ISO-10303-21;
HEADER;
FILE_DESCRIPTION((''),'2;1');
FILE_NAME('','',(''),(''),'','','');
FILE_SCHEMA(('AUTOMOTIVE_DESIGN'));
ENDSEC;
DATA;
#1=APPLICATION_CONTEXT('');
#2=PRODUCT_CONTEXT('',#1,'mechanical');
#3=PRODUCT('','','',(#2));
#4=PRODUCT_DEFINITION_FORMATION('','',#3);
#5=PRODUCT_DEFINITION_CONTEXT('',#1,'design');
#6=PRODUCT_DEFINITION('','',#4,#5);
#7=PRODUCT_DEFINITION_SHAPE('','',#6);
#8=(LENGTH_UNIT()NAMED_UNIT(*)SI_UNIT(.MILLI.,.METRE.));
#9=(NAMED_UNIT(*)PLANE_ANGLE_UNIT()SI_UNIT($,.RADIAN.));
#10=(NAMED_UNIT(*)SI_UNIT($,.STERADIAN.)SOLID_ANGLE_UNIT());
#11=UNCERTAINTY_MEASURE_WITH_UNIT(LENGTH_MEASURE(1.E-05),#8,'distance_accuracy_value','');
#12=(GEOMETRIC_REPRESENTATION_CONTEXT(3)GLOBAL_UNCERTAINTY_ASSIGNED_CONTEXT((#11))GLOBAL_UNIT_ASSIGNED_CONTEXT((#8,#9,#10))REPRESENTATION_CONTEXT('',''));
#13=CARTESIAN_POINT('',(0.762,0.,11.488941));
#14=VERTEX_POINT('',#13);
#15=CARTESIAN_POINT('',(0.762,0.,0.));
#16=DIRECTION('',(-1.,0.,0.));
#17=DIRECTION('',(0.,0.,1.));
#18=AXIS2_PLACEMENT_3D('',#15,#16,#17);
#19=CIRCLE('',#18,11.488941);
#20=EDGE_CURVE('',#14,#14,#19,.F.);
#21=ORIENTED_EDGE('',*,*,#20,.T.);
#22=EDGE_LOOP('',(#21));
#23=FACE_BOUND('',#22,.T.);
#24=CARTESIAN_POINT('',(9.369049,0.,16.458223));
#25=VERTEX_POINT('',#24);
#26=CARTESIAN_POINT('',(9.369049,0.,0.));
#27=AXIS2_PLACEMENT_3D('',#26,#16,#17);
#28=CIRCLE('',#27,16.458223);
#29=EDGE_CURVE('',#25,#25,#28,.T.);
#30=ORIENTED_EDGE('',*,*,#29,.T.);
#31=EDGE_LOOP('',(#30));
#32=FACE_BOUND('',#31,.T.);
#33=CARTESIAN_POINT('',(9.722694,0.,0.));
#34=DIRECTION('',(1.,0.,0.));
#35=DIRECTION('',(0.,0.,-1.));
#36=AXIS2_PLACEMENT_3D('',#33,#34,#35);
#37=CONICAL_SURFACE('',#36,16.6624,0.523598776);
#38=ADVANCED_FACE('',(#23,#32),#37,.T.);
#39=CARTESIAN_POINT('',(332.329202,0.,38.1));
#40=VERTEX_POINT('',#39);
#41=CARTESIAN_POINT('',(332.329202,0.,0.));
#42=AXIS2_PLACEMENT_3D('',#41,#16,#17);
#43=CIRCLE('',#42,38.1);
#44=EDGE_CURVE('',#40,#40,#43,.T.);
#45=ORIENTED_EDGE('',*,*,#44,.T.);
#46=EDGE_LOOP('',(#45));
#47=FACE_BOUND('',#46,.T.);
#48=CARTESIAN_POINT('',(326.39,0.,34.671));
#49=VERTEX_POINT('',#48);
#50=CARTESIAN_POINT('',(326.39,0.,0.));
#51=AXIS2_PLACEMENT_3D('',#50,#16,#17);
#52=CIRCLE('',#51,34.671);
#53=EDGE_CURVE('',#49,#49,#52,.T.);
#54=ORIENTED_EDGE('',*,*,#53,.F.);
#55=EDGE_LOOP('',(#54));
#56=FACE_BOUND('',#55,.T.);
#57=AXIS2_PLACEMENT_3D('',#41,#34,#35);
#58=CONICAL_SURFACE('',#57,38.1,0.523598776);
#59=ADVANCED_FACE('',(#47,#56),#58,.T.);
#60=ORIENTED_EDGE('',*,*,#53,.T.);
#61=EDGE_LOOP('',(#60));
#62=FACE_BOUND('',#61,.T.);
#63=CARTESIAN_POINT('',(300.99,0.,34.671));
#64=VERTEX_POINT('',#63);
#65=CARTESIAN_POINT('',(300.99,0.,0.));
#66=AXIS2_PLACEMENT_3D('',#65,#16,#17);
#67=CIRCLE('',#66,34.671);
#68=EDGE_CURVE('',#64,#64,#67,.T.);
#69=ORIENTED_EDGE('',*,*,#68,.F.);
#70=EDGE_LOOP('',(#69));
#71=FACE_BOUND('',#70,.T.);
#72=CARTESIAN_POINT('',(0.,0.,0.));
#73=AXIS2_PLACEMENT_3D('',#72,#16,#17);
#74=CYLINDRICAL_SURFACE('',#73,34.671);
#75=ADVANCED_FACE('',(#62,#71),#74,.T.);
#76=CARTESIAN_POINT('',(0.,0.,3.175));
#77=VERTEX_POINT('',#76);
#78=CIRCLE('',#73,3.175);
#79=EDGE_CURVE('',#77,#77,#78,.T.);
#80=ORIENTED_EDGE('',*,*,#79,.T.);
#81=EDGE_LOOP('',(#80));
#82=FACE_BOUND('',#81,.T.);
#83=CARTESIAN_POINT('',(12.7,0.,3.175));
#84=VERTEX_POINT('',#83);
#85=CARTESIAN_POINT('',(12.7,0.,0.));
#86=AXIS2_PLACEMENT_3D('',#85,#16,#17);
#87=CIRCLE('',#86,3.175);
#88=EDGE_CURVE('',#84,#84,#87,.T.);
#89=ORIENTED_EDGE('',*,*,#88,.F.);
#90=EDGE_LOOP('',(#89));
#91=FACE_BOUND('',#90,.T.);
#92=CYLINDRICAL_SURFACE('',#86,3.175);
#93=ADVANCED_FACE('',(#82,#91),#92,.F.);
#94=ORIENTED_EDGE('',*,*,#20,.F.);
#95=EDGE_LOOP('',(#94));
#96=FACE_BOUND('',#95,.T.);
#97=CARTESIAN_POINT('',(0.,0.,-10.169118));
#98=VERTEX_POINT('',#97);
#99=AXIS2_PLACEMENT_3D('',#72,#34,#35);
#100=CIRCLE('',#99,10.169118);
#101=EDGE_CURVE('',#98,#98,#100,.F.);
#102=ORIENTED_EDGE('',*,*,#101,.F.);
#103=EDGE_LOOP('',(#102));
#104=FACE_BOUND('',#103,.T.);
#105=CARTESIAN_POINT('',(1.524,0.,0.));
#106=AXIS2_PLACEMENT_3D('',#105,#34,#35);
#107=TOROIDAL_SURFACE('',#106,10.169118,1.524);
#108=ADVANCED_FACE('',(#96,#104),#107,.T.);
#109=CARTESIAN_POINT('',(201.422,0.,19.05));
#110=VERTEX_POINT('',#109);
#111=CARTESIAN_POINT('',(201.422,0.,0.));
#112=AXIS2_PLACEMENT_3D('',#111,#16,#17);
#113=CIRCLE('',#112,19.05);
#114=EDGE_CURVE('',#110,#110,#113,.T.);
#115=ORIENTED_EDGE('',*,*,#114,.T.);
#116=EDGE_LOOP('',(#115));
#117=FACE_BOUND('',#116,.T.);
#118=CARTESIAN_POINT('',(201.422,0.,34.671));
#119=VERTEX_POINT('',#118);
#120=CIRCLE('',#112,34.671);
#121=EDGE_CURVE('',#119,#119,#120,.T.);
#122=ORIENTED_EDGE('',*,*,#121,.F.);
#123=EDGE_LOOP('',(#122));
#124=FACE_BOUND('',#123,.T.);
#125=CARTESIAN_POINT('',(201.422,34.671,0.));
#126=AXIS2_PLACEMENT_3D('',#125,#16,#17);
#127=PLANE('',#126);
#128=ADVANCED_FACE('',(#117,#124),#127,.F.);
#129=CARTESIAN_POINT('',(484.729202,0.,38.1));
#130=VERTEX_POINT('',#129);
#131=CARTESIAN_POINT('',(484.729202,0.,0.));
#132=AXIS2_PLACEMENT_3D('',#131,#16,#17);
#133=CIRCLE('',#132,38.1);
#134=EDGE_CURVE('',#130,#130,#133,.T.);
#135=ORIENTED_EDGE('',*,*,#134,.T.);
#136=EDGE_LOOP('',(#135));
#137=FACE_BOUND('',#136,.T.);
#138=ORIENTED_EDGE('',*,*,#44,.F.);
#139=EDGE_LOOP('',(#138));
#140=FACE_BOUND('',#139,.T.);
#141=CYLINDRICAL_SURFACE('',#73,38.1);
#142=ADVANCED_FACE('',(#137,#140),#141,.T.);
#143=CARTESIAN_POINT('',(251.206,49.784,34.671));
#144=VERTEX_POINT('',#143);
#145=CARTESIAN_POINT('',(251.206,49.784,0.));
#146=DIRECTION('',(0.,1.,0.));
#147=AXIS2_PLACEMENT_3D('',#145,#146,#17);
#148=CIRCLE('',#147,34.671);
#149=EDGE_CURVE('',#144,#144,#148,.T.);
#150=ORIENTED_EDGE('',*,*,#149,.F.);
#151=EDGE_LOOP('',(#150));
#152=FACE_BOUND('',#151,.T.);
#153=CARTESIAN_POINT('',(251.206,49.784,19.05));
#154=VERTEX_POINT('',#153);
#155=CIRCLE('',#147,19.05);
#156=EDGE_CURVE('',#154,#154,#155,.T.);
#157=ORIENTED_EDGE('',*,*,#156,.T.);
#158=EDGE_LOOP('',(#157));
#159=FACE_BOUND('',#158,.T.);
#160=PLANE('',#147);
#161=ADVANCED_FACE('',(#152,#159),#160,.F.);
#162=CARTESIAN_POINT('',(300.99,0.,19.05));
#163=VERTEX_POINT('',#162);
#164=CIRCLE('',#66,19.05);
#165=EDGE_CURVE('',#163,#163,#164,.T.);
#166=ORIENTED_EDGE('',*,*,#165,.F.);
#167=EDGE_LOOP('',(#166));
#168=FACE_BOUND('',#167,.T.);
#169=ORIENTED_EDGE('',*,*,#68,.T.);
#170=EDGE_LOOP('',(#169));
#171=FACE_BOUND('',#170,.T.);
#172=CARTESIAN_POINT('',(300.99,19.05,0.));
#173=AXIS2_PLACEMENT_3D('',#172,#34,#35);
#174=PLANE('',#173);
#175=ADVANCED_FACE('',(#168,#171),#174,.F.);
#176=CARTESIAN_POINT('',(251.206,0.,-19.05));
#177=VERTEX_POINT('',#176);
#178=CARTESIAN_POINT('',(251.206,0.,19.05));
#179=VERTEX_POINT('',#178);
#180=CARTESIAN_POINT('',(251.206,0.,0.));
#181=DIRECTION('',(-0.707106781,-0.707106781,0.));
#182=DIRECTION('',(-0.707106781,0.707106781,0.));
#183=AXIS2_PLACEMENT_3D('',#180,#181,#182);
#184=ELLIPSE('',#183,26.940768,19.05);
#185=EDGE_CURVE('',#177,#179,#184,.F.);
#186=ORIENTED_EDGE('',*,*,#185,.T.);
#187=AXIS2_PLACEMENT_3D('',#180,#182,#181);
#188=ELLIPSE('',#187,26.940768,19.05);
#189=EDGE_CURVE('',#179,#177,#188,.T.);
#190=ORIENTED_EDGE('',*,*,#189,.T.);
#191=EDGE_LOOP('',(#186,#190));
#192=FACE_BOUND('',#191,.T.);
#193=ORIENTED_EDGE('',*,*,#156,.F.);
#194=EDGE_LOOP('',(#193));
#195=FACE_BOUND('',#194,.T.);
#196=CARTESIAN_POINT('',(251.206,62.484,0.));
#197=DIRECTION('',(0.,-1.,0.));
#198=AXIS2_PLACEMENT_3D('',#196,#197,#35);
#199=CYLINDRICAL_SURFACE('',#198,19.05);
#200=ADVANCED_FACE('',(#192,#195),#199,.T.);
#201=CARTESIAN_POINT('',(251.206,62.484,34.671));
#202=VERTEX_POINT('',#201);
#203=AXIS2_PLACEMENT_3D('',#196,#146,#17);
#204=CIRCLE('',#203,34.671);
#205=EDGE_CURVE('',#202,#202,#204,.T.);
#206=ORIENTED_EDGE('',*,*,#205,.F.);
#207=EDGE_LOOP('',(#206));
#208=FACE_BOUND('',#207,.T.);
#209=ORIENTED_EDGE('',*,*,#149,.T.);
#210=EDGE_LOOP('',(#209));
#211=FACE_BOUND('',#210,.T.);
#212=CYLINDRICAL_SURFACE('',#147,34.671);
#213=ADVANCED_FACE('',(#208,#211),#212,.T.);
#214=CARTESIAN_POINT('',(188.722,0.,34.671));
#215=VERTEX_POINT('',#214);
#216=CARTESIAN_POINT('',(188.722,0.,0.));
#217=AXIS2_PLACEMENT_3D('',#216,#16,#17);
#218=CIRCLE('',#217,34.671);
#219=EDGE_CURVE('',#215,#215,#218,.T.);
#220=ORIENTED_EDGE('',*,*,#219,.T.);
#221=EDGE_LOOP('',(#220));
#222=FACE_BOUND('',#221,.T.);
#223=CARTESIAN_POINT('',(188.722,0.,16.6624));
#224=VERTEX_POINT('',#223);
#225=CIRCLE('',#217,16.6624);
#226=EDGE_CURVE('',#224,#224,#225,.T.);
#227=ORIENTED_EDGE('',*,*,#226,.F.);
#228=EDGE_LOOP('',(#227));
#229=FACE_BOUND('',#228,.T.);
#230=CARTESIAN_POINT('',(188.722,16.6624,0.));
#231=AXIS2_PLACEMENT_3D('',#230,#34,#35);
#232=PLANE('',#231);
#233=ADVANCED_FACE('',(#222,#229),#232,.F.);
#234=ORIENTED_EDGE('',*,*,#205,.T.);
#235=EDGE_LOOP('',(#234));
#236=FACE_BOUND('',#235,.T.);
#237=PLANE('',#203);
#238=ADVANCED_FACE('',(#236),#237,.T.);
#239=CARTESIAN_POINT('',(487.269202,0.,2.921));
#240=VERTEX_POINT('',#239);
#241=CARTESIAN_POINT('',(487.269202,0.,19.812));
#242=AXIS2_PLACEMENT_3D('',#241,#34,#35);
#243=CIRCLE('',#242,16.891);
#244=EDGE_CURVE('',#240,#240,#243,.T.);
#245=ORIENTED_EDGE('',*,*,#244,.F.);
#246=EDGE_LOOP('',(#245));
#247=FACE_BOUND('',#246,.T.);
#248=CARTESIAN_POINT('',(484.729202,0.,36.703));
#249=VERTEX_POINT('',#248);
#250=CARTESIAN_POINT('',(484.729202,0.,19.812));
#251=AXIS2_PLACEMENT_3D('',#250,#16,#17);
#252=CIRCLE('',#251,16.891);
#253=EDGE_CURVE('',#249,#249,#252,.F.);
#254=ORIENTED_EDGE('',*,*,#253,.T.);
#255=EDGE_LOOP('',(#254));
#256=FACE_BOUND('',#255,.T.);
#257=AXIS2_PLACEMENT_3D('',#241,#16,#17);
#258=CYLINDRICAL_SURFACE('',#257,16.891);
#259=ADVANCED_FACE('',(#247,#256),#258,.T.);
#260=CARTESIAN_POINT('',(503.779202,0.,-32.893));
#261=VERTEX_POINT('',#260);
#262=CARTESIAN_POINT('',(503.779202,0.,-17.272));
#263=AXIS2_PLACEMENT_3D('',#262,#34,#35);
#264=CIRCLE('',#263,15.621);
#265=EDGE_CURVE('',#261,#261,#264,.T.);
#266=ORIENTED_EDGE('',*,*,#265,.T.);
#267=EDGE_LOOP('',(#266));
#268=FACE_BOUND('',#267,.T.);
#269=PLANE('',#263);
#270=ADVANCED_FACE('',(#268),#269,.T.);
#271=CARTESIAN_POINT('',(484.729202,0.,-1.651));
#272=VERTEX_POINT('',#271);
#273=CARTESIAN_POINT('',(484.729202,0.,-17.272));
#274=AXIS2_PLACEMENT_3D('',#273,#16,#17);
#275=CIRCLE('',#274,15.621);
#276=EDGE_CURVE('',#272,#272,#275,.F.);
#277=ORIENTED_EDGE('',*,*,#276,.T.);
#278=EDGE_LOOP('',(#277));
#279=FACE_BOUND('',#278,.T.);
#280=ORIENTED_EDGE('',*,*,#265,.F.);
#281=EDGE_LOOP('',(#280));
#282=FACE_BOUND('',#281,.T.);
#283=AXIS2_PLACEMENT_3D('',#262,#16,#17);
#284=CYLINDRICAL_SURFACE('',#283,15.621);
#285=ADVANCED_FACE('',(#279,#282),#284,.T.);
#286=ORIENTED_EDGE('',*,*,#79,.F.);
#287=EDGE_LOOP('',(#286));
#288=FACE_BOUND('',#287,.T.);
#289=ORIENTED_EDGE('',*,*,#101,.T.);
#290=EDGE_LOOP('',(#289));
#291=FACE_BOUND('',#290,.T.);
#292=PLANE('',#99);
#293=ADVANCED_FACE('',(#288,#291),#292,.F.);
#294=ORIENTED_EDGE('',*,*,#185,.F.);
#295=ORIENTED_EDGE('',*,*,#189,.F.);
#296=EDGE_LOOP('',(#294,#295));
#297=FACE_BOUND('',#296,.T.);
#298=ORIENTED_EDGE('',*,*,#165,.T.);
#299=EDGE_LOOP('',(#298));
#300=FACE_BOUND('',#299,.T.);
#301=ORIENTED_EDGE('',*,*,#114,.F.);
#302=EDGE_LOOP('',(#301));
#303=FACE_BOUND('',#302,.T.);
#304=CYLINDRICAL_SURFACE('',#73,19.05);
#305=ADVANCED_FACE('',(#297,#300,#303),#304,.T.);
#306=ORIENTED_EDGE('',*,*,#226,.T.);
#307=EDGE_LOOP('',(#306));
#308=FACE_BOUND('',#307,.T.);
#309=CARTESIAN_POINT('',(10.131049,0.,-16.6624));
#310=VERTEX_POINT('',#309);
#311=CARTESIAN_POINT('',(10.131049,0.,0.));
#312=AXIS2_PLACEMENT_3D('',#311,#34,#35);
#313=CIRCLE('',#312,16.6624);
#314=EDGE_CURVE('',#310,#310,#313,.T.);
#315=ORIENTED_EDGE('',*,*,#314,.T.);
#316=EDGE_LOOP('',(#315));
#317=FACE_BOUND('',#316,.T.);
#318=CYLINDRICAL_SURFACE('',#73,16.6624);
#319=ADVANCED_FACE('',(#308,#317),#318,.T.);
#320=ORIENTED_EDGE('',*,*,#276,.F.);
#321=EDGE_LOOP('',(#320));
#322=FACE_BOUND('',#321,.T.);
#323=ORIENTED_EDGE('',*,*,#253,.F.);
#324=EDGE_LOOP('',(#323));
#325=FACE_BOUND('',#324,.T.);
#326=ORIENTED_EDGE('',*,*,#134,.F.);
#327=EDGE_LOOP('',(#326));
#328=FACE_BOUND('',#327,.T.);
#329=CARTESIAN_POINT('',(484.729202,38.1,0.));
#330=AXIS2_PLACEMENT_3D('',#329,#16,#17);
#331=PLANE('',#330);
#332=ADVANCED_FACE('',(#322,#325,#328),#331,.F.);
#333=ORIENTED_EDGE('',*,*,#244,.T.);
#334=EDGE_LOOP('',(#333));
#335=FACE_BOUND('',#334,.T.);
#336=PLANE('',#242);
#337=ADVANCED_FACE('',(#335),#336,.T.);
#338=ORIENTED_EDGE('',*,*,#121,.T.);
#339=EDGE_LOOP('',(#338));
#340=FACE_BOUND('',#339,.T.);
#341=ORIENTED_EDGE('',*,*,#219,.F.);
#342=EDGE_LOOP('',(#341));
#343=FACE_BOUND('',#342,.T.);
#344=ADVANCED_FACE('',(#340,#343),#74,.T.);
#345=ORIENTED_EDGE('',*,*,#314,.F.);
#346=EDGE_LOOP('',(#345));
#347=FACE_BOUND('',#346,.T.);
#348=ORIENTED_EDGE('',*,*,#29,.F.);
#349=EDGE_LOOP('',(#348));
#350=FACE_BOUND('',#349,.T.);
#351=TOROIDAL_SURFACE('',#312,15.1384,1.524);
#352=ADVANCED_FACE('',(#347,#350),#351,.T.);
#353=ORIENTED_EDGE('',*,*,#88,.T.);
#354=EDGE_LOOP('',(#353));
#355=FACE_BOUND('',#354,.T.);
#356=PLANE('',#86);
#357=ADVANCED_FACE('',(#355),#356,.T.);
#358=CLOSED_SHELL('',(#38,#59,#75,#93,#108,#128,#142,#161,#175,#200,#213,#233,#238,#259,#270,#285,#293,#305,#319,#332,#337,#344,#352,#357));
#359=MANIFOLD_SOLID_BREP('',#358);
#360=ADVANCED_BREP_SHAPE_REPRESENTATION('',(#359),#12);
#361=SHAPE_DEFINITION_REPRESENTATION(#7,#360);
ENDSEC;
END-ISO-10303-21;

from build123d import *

# Parameters (mm, degrees)
SKETCH2_R           = 19.05
BOSS_EXTRUDE1_DEPTH = 62.484
SKETCH3_R           = 34.671
BOSS_EXTRUDE2_DEPTH = 12.7
SKETCH4_R           = 15.621
BOSS_EXTRUDE3_DEPTH = 19.05
SKETCH5_R           = 16.891
BOSS_EXTRUDE4_DEPTH = 2.54
FILLET1_R           = 1.524
SKETCH6_R           = 3.175
CUT_EXTRUDE1_DEPTH  = 12.7


with BuildPart() as part:
    # Sketch1 → Revolve1 (revolve)
    with BuildSketch(Plane.XY, mode=Mode.PRIVATE) as revolve1_sk:
        Polygon((0, 0), (0, 11.049), (9.722694003, 16.6624), (188.722, 16.6624), (188.722, 34.671), (201.422, 34.671), (201.422, 19.05), (300.99, 19.05), (300.99, 34.671), (326.39, 34.671), (332.329202219, 38.1), (484.729202219, 38.1), (484.729202219, 0), align=None)
    revolve(revolve1_sk.sketch.rotate(Axis((0, 0, 0), (1, 0, 0)), 90), axis=Axis((0, 0, 0), (1, 0, 0)))  # turned: the seam where the file's is

    # Sketch2 → Boss-Extrude1 (add)
    with BuildSketch(Plane(origin=(0, 0, 0), x_dir=(1, 0, 0), z_dir=(0, 1, 0))):
        with Locations(Location((251.206, 0, 0), (0, 0, 270))):  # turned: the seam where the file's is
            Circle(SKETCH2_R)
    extrude(amount=BOSS_EXTRUDE1_DEPTH)

    # Sketch3 → Boss-Extrude2 (add)
    with BuildSketch(Plane(origin=(0, 62.484, 0), x_dir=(1, 0, 0), z_dir=(0, 1, 0))):
        with Locations(Location((251.206, 0, 0), (0, 0, 270))):  # turned: the seam where the file's is
            Circle(SKETCH3_R)
    extrude(amount=-BOSS_EXTRUDE2_DEPTH)

    # Sketch4 → Boss-Extrude3 (add)
    with BuildSketch(Plane(origin=(484.729202219, 0, 0), x_dir=(0, 0, -1), z_dir=(1, 0, 0))):
        with Locations(Location((17.272, 0, 0), (0, 0, 180))):  # turned: the seam where the file's is
            Circle(SKETCH4_R)
    extrude(amount=BOSS_EXTRUDE3_DEPTH)

    # Sketch5 → Boss-Extrude4 (add)
    with BuildSketch(Plane(origin=(484.729202219, 0, 0), x_dir=(0, 0, -1), z_dir=(1, 0, 0))):
        with Locations(Location((-19.812, 0, 0), (0, 0, 180))):  # turned: the seam where the file's is
            Circle(SKETCH5_R)
    extrude(amount=BOSS_EXTRUDE4_DEPTH)

    # Fillet1
    fillet1_edges = [part.edges().sort_by_distance(p)[0] for p in [
        (9.722694003, 0, -16.6624),
        (0, 0, -11.049),
    ]]
    fillet(fillet1_edges, radius=FILLET1_R)

    # Sketch6 → Cut-Extrude1 (cut)
    with BuildSketch(Plane.ZY):
        Circle(SKETCH6_R)
    extrude(amount=-CUT_EXTRUDE1_DEPTH, mode=Mode.SUBTRACT)


solid = part.part
